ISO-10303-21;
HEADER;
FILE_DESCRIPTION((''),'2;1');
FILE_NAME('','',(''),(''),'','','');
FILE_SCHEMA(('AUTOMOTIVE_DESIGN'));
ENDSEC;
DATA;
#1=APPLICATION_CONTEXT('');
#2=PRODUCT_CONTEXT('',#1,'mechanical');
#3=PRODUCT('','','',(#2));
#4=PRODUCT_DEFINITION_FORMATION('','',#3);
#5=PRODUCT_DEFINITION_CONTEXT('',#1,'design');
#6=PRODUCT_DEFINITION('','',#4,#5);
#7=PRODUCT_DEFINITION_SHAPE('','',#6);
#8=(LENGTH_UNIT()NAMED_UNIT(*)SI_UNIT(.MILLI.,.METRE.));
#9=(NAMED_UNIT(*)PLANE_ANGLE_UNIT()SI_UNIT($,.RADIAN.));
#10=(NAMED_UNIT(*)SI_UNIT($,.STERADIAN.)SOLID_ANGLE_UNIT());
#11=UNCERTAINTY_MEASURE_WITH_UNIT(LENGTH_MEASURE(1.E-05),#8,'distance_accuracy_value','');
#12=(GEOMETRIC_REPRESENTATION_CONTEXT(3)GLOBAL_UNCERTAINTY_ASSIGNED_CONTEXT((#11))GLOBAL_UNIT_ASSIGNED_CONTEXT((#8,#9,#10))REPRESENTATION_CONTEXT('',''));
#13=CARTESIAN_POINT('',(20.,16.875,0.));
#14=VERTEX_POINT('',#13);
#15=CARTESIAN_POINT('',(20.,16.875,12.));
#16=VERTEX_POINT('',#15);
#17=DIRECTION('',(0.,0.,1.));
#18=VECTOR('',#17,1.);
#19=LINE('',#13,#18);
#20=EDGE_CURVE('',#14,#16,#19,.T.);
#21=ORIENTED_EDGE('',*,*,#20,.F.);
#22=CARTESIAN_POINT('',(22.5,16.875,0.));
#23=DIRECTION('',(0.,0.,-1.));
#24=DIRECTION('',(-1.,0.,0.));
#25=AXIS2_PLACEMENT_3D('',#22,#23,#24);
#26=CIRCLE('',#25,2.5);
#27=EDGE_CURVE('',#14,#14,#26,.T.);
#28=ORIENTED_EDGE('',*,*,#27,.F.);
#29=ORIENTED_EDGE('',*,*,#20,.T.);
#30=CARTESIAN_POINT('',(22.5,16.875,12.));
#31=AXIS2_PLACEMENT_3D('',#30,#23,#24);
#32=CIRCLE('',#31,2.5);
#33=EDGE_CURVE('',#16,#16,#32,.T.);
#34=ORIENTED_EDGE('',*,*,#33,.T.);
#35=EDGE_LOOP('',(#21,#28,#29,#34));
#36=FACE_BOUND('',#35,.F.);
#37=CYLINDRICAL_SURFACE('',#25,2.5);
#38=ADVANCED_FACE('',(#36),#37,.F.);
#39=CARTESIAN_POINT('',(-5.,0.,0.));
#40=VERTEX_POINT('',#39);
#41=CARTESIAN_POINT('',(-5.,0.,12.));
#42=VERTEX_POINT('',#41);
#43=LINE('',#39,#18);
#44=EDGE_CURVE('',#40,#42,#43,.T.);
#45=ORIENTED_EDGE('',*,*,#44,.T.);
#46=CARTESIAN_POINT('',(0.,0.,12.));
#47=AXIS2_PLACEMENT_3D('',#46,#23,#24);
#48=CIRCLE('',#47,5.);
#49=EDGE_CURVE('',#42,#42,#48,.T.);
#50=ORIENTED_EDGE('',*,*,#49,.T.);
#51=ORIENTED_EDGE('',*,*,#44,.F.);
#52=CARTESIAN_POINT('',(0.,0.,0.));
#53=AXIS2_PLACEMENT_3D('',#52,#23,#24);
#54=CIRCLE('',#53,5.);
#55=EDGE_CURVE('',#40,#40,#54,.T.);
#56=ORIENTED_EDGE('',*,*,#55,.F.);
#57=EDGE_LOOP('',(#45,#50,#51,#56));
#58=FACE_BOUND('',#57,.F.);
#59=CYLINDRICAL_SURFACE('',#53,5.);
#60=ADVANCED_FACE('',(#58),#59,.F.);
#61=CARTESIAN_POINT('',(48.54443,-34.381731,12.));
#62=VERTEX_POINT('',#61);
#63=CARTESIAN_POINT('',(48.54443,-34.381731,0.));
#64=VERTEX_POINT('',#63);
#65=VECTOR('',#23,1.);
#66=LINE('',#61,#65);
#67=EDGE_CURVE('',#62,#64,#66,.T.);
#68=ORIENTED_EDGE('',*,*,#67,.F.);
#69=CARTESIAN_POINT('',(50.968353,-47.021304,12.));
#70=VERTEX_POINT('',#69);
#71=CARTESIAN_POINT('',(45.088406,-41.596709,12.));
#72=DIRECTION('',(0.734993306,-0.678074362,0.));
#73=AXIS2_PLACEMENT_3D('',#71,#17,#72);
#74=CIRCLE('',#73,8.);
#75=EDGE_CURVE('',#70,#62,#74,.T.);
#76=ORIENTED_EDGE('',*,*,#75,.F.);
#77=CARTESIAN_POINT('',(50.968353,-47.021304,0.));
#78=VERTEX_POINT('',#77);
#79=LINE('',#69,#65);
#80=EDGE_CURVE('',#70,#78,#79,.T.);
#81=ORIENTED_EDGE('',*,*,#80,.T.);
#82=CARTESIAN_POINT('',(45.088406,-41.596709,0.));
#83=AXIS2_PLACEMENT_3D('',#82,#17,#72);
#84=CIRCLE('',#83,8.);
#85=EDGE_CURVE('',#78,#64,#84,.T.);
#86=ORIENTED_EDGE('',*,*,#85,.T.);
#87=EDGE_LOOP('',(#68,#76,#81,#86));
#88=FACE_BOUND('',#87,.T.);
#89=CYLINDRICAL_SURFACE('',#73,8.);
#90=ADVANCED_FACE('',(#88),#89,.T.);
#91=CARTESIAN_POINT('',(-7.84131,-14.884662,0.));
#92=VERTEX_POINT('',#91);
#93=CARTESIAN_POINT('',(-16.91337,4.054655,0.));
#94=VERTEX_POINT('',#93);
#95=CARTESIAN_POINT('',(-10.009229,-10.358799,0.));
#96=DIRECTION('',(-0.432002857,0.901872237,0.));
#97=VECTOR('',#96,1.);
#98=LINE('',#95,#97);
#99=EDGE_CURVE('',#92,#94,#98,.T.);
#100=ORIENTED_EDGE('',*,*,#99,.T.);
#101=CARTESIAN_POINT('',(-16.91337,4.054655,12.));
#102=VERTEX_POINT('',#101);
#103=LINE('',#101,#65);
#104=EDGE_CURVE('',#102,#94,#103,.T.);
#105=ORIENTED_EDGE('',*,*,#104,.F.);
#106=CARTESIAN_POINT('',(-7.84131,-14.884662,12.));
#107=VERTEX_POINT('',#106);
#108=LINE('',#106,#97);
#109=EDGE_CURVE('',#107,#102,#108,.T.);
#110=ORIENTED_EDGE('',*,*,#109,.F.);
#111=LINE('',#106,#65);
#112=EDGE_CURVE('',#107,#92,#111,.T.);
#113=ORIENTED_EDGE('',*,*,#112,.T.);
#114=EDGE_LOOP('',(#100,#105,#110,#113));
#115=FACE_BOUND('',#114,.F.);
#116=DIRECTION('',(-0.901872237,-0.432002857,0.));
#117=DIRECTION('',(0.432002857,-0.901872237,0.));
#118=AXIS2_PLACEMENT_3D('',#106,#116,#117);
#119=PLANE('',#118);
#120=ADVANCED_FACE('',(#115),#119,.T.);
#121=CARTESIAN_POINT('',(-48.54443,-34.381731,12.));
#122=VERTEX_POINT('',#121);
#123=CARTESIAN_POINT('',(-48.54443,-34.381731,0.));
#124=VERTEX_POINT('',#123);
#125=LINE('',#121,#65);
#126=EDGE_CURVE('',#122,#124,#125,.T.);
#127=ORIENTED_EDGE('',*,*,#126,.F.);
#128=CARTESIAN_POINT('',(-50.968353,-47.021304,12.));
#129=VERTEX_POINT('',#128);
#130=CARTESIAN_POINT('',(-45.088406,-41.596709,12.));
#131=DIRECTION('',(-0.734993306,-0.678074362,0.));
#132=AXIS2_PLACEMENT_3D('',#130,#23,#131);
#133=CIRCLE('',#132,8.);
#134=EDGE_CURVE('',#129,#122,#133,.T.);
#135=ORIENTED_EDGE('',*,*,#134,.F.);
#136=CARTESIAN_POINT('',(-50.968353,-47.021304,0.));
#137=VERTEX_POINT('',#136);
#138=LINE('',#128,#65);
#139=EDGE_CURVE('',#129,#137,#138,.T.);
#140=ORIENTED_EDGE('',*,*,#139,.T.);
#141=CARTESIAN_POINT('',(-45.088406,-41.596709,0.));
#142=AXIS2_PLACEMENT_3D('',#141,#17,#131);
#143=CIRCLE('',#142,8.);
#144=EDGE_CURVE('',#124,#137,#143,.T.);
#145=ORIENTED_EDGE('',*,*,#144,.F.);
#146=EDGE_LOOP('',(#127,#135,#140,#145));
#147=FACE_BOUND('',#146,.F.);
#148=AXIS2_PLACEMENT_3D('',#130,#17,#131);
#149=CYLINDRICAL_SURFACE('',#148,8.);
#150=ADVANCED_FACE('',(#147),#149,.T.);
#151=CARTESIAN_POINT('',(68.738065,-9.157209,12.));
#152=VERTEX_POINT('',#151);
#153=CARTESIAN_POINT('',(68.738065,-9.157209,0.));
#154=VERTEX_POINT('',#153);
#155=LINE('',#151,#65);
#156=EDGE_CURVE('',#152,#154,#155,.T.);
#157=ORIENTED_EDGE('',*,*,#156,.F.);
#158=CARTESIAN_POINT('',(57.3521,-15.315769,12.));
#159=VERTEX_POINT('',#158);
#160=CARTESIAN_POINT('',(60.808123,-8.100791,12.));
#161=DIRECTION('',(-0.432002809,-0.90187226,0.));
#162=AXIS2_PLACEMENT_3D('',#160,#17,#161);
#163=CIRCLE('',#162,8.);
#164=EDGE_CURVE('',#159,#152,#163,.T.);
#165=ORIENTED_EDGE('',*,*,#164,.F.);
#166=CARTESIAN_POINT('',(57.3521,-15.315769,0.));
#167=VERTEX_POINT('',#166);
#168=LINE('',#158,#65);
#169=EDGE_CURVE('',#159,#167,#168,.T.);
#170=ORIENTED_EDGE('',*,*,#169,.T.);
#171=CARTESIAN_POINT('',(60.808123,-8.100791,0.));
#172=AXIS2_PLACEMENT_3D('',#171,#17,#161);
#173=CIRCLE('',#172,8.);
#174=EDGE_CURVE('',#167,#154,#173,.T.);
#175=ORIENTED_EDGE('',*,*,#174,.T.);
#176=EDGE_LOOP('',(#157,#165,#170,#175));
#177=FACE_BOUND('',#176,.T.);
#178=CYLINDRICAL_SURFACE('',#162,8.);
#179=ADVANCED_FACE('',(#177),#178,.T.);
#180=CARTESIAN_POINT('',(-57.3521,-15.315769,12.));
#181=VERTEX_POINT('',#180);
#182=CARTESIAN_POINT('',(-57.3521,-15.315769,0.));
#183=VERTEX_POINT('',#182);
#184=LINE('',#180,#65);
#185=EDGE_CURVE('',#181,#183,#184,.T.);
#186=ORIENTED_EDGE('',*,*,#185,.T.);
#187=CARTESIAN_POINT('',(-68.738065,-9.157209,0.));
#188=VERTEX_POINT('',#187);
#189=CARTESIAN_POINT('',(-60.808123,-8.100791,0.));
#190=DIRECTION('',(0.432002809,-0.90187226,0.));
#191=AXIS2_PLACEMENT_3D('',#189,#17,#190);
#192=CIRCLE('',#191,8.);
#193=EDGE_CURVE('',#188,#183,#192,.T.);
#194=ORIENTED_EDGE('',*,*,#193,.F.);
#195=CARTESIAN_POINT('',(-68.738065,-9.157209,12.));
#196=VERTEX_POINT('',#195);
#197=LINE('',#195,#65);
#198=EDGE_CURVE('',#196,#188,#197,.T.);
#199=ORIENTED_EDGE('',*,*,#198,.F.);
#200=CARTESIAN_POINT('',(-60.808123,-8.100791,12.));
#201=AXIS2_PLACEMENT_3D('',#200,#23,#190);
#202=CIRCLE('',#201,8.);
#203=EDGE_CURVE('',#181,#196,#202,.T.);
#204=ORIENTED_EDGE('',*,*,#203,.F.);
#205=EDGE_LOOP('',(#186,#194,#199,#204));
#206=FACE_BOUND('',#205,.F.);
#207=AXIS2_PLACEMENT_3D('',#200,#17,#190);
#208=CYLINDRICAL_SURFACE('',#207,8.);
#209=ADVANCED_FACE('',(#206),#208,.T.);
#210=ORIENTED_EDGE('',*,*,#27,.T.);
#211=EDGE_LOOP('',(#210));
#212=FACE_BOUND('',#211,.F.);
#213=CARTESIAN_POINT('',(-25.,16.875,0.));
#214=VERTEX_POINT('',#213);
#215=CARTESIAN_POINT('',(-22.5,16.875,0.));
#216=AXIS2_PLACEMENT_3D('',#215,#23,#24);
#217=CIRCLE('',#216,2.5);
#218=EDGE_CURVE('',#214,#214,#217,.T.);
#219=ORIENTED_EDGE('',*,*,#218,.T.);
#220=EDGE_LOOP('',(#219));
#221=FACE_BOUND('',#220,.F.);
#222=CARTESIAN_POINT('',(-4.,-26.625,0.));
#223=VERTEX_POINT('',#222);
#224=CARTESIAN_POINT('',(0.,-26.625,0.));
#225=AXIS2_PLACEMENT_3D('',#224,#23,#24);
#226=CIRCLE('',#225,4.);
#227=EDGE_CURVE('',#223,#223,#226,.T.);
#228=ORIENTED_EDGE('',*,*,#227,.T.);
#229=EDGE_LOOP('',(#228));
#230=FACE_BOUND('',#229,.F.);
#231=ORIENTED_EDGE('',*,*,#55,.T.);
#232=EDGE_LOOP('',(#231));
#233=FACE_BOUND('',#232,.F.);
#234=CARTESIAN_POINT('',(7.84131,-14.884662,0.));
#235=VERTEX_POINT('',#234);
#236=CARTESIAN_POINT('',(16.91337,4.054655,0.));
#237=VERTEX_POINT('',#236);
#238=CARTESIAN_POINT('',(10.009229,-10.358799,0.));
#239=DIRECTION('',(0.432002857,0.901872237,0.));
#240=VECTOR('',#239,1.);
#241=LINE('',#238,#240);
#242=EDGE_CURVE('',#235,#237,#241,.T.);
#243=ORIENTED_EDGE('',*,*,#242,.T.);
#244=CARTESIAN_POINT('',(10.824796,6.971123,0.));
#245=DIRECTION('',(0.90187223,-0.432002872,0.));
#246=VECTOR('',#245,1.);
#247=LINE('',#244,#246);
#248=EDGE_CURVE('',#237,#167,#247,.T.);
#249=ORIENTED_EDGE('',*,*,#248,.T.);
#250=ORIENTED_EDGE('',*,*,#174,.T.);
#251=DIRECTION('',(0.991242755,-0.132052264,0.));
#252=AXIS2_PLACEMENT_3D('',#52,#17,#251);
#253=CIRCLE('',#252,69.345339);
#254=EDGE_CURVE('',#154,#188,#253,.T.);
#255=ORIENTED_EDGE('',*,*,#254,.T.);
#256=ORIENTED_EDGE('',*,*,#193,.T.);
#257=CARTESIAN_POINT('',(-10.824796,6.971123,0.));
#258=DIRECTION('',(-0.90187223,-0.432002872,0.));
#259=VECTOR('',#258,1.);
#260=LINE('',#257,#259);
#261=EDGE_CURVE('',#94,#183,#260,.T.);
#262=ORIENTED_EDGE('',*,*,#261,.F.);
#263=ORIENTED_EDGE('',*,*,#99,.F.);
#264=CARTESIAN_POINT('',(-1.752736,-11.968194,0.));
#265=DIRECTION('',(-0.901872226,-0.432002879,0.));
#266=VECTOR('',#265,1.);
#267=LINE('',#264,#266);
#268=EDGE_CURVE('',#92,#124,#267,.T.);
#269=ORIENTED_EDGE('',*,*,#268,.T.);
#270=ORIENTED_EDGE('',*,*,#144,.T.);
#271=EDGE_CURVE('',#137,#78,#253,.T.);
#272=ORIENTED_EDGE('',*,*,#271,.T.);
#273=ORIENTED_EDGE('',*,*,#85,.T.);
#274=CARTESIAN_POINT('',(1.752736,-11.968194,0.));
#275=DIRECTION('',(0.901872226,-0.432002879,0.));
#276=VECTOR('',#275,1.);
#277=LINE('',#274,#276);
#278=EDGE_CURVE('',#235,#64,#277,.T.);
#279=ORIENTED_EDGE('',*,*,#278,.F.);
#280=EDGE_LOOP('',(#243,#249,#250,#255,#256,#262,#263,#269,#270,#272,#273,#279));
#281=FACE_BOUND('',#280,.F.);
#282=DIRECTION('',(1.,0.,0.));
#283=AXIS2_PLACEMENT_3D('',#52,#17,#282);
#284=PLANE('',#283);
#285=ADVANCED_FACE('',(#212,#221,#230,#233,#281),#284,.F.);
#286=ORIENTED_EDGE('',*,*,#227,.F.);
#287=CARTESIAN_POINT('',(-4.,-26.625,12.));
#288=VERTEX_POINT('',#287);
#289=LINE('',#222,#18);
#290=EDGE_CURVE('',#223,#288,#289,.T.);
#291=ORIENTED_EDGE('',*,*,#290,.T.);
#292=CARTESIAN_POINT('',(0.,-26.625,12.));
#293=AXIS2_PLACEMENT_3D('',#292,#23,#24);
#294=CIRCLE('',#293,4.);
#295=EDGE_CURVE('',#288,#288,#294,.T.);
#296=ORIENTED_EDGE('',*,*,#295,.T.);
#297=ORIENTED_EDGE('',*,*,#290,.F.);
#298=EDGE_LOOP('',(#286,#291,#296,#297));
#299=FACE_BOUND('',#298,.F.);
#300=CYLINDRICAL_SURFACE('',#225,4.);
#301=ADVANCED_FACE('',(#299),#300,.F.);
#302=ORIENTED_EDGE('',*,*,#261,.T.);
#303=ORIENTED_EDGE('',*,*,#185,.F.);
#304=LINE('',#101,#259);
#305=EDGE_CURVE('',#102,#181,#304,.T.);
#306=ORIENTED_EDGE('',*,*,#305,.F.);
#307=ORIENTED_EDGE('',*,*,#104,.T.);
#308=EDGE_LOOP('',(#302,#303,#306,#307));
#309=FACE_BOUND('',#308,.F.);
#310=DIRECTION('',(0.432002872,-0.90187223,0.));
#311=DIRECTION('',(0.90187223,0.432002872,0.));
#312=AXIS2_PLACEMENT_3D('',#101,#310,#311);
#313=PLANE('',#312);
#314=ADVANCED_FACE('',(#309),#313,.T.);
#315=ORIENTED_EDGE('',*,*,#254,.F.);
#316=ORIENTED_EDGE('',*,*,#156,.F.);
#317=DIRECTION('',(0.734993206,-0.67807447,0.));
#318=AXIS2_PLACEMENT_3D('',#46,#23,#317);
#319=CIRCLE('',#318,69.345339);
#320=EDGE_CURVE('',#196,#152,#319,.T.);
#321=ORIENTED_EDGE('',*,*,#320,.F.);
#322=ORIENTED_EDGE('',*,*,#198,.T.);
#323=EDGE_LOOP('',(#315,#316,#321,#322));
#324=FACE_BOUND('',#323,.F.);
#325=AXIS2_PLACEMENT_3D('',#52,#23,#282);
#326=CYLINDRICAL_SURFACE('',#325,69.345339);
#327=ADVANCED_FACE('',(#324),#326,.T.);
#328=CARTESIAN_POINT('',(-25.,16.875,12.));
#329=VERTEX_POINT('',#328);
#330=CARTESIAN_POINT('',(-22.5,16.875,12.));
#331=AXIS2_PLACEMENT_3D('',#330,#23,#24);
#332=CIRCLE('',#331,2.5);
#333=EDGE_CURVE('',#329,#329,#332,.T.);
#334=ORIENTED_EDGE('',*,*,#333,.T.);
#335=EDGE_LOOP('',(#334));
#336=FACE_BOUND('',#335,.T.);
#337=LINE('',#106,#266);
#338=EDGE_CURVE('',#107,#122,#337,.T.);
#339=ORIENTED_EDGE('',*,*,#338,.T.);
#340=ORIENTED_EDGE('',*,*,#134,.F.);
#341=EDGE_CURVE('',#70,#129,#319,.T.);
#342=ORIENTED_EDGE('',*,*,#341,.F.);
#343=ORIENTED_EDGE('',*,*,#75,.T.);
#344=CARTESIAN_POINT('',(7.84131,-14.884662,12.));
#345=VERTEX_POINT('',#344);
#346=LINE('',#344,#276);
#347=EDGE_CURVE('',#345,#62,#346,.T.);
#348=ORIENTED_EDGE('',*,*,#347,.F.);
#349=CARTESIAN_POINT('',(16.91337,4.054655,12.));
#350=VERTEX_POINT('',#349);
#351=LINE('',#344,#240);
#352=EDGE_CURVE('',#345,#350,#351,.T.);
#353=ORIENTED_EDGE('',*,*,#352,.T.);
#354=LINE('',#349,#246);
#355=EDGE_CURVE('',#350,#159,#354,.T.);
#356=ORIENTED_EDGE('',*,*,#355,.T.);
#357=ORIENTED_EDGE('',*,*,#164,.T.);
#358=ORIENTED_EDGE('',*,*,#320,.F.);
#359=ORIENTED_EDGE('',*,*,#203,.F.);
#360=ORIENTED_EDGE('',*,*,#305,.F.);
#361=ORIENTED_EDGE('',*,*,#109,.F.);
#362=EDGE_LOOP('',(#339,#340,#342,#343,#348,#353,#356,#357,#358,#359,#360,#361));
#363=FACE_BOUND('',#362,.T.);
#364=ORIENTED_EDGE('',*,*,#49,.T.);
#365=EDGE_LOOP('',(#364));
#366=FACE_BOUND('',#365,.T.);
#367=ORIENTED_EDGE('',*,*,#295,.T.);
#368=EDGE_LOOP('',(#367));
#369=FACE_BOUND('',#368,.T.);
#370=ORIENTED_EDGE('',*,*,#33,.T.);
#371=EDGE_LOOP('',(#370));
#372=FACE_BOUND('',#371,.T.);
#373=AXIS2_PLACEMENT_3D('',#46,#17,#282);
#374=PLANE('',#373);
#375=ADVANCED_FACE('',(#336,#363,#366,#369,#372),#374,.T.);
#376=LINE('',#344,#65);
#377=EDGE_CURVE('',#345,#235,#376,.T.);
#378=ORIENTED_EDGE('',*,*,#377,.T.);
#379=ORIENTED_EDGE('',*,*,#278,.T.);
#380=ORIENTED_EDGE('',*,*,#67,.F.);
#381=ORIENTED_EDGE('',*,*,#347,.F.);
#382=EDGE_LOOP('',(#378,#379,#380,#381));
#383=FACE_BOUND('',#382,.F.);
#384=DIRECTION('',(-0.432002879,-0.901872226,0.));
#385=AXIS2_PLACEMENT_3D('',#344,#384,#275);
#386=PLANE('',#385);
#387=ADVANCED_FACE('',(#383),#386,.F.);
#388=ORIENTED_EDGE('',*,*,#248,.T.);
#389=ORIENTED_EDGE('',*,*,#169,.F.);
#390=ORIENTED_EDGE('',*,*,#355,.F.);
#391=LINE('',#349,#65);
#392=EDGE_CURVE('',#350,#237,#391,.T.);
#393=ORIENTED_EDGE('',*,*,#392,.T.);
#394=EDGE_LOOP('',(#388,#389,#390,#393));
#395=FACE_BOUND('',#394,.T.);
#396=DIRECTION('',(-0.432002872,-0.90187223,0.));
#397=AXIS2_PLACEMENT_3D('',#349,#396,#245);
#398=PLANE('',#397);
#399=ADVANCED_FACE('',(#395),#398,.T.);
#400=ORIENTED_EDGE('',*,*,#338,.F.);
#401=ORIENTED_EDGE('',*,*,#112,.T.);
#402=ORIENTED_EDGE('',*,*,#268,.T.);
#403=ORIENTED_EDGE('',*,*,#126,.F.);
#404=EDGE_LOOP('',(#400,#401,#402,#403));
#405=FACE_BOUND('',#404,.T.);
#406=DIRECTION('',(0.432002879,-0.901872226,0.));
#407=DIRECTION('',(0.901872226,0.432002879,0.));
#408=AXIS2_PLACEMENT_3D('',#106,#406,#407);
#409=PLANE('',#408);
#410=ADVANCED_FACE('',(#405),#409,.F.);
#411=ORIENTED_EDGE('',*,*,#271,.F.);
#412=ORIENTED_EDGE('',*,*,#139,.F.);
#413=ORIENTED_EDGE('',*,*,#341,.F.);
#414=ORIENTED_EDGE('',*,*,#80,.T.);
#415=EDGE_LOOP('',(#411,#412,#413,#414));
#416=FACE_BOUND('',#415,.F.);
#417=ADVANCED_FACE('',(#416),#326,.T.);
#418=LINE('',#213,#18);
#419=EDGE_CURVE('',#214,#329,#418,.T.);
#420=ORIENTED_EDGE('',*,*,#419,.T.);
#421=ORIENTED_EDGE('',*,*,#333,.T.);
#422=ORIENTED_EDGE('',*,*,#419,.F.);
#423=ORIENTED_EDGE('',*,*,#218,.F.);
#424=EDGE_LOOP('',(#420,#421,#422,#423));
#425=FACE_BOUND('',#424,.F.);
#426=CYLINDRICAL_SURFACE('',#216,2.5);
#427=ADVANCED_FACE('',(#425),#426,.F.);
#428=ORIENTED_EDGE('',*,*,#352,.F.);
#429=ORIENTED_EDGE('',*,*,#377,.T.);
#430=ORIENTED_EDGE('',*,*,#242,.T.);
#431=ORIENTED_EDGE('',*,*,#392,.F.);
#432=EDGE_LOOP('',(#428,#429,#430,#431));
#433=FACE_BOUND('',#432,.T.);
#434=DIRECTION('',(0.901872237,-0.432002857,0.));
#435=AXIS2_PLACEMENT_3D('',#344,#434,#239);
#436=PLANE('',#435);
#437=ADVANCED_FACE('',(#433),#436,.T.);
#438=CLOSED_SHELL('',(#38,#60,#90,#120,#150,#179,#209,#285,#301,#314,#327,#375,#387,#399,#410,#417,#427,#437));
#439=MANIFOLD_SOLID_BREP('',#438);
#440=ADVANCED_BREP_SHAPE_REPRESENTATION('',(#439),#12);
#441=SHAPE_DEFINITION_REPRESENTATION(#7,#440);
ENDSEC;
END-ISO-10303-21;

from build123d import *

# Parameters (mm, degrees)
SKETCH_R        = 69.345339
PAD_DEPTH       = 12
SKETCH001_R     = 5
POCKET_DEPTH    = 12.001
SKETCH006_R     = 4
SKETCH006_R_2   = 2.5
POCKET001_DEPTH = 12.001
POCKET002_DEPTH = 405.010966


with BuildPart() as part:
    # Sketch → Pad (new body)
    with BuildSketch(Plane.XY):
        Circle(SKETCH_R)
    extrude(amount=PAD_DEPTH)

    # Sketch001 → Pocket (cut, through all)
    with BuildSketch(Plane(origin=(0, 0, 0), x_dir=(-1, 0, 0), z_dir=(0, 0, -1))):
        Circle(SKETCH001_R)
    extrude(amount=-POCKET_DEPTH, mode=Mode.SUBTRACT)

    # Sketch006 → Pocket001 (cut, through all)
    with BuildSketch(Plane(origin=(0, 0, 0), x_dir=(-1, 0, 0), z_dir=(0, 0, -1))):
        with Locations((0, -26.625)):
            Circle(SKETCH006_R)
        with Locations((-22.5, 16.875)):
            Circle(SKETCH006_R_2)
        with Locations((22.5, 16.875)):
            Circle(SKETCH006_R_2)
    extrude(amount=-POCKET001_DEPTH, mode=Mode.SUBTRACT)

    # Sketch007 → Pocket002 (cut, through all)
    with BuildSketch(Plane.XY.offset(12)):
        with BuildLine():
            Line((7.84131, -14.884662), (16.91337, 4.054655))
            Line((16.91337, 4.054655), (57.3521, -15.315769))
            ThreePointArc((57.3521, -15.315769), (64.614164, -15.137413), (68.738065, -9.157209))
            ThreePointArc((50.968353, -47.021304), (62.776023, -29.460941), (68.738065, -9.157209))
            ThreePointArc((50.968353, -47.021304), (52.945237, -40.089985), (48.54443, -34.381731))
            Line((7.84131, -14.884662), (48.54443, -34.381731))
        make_face()
    pocket002 = extrude(amount=-POCKET002_DEPTH, mode=Mode.SUBTRACT)

    # Mirrored: Pocket002 across Sketch007 V_Axis
    add(pocket002.mirror(Plane(origin=(0, 0, 12), x_dir=(0, 0, 1), z_dir=(1, 0, 0))), mode=Mode.SUBTRACT)


solid = part.part
